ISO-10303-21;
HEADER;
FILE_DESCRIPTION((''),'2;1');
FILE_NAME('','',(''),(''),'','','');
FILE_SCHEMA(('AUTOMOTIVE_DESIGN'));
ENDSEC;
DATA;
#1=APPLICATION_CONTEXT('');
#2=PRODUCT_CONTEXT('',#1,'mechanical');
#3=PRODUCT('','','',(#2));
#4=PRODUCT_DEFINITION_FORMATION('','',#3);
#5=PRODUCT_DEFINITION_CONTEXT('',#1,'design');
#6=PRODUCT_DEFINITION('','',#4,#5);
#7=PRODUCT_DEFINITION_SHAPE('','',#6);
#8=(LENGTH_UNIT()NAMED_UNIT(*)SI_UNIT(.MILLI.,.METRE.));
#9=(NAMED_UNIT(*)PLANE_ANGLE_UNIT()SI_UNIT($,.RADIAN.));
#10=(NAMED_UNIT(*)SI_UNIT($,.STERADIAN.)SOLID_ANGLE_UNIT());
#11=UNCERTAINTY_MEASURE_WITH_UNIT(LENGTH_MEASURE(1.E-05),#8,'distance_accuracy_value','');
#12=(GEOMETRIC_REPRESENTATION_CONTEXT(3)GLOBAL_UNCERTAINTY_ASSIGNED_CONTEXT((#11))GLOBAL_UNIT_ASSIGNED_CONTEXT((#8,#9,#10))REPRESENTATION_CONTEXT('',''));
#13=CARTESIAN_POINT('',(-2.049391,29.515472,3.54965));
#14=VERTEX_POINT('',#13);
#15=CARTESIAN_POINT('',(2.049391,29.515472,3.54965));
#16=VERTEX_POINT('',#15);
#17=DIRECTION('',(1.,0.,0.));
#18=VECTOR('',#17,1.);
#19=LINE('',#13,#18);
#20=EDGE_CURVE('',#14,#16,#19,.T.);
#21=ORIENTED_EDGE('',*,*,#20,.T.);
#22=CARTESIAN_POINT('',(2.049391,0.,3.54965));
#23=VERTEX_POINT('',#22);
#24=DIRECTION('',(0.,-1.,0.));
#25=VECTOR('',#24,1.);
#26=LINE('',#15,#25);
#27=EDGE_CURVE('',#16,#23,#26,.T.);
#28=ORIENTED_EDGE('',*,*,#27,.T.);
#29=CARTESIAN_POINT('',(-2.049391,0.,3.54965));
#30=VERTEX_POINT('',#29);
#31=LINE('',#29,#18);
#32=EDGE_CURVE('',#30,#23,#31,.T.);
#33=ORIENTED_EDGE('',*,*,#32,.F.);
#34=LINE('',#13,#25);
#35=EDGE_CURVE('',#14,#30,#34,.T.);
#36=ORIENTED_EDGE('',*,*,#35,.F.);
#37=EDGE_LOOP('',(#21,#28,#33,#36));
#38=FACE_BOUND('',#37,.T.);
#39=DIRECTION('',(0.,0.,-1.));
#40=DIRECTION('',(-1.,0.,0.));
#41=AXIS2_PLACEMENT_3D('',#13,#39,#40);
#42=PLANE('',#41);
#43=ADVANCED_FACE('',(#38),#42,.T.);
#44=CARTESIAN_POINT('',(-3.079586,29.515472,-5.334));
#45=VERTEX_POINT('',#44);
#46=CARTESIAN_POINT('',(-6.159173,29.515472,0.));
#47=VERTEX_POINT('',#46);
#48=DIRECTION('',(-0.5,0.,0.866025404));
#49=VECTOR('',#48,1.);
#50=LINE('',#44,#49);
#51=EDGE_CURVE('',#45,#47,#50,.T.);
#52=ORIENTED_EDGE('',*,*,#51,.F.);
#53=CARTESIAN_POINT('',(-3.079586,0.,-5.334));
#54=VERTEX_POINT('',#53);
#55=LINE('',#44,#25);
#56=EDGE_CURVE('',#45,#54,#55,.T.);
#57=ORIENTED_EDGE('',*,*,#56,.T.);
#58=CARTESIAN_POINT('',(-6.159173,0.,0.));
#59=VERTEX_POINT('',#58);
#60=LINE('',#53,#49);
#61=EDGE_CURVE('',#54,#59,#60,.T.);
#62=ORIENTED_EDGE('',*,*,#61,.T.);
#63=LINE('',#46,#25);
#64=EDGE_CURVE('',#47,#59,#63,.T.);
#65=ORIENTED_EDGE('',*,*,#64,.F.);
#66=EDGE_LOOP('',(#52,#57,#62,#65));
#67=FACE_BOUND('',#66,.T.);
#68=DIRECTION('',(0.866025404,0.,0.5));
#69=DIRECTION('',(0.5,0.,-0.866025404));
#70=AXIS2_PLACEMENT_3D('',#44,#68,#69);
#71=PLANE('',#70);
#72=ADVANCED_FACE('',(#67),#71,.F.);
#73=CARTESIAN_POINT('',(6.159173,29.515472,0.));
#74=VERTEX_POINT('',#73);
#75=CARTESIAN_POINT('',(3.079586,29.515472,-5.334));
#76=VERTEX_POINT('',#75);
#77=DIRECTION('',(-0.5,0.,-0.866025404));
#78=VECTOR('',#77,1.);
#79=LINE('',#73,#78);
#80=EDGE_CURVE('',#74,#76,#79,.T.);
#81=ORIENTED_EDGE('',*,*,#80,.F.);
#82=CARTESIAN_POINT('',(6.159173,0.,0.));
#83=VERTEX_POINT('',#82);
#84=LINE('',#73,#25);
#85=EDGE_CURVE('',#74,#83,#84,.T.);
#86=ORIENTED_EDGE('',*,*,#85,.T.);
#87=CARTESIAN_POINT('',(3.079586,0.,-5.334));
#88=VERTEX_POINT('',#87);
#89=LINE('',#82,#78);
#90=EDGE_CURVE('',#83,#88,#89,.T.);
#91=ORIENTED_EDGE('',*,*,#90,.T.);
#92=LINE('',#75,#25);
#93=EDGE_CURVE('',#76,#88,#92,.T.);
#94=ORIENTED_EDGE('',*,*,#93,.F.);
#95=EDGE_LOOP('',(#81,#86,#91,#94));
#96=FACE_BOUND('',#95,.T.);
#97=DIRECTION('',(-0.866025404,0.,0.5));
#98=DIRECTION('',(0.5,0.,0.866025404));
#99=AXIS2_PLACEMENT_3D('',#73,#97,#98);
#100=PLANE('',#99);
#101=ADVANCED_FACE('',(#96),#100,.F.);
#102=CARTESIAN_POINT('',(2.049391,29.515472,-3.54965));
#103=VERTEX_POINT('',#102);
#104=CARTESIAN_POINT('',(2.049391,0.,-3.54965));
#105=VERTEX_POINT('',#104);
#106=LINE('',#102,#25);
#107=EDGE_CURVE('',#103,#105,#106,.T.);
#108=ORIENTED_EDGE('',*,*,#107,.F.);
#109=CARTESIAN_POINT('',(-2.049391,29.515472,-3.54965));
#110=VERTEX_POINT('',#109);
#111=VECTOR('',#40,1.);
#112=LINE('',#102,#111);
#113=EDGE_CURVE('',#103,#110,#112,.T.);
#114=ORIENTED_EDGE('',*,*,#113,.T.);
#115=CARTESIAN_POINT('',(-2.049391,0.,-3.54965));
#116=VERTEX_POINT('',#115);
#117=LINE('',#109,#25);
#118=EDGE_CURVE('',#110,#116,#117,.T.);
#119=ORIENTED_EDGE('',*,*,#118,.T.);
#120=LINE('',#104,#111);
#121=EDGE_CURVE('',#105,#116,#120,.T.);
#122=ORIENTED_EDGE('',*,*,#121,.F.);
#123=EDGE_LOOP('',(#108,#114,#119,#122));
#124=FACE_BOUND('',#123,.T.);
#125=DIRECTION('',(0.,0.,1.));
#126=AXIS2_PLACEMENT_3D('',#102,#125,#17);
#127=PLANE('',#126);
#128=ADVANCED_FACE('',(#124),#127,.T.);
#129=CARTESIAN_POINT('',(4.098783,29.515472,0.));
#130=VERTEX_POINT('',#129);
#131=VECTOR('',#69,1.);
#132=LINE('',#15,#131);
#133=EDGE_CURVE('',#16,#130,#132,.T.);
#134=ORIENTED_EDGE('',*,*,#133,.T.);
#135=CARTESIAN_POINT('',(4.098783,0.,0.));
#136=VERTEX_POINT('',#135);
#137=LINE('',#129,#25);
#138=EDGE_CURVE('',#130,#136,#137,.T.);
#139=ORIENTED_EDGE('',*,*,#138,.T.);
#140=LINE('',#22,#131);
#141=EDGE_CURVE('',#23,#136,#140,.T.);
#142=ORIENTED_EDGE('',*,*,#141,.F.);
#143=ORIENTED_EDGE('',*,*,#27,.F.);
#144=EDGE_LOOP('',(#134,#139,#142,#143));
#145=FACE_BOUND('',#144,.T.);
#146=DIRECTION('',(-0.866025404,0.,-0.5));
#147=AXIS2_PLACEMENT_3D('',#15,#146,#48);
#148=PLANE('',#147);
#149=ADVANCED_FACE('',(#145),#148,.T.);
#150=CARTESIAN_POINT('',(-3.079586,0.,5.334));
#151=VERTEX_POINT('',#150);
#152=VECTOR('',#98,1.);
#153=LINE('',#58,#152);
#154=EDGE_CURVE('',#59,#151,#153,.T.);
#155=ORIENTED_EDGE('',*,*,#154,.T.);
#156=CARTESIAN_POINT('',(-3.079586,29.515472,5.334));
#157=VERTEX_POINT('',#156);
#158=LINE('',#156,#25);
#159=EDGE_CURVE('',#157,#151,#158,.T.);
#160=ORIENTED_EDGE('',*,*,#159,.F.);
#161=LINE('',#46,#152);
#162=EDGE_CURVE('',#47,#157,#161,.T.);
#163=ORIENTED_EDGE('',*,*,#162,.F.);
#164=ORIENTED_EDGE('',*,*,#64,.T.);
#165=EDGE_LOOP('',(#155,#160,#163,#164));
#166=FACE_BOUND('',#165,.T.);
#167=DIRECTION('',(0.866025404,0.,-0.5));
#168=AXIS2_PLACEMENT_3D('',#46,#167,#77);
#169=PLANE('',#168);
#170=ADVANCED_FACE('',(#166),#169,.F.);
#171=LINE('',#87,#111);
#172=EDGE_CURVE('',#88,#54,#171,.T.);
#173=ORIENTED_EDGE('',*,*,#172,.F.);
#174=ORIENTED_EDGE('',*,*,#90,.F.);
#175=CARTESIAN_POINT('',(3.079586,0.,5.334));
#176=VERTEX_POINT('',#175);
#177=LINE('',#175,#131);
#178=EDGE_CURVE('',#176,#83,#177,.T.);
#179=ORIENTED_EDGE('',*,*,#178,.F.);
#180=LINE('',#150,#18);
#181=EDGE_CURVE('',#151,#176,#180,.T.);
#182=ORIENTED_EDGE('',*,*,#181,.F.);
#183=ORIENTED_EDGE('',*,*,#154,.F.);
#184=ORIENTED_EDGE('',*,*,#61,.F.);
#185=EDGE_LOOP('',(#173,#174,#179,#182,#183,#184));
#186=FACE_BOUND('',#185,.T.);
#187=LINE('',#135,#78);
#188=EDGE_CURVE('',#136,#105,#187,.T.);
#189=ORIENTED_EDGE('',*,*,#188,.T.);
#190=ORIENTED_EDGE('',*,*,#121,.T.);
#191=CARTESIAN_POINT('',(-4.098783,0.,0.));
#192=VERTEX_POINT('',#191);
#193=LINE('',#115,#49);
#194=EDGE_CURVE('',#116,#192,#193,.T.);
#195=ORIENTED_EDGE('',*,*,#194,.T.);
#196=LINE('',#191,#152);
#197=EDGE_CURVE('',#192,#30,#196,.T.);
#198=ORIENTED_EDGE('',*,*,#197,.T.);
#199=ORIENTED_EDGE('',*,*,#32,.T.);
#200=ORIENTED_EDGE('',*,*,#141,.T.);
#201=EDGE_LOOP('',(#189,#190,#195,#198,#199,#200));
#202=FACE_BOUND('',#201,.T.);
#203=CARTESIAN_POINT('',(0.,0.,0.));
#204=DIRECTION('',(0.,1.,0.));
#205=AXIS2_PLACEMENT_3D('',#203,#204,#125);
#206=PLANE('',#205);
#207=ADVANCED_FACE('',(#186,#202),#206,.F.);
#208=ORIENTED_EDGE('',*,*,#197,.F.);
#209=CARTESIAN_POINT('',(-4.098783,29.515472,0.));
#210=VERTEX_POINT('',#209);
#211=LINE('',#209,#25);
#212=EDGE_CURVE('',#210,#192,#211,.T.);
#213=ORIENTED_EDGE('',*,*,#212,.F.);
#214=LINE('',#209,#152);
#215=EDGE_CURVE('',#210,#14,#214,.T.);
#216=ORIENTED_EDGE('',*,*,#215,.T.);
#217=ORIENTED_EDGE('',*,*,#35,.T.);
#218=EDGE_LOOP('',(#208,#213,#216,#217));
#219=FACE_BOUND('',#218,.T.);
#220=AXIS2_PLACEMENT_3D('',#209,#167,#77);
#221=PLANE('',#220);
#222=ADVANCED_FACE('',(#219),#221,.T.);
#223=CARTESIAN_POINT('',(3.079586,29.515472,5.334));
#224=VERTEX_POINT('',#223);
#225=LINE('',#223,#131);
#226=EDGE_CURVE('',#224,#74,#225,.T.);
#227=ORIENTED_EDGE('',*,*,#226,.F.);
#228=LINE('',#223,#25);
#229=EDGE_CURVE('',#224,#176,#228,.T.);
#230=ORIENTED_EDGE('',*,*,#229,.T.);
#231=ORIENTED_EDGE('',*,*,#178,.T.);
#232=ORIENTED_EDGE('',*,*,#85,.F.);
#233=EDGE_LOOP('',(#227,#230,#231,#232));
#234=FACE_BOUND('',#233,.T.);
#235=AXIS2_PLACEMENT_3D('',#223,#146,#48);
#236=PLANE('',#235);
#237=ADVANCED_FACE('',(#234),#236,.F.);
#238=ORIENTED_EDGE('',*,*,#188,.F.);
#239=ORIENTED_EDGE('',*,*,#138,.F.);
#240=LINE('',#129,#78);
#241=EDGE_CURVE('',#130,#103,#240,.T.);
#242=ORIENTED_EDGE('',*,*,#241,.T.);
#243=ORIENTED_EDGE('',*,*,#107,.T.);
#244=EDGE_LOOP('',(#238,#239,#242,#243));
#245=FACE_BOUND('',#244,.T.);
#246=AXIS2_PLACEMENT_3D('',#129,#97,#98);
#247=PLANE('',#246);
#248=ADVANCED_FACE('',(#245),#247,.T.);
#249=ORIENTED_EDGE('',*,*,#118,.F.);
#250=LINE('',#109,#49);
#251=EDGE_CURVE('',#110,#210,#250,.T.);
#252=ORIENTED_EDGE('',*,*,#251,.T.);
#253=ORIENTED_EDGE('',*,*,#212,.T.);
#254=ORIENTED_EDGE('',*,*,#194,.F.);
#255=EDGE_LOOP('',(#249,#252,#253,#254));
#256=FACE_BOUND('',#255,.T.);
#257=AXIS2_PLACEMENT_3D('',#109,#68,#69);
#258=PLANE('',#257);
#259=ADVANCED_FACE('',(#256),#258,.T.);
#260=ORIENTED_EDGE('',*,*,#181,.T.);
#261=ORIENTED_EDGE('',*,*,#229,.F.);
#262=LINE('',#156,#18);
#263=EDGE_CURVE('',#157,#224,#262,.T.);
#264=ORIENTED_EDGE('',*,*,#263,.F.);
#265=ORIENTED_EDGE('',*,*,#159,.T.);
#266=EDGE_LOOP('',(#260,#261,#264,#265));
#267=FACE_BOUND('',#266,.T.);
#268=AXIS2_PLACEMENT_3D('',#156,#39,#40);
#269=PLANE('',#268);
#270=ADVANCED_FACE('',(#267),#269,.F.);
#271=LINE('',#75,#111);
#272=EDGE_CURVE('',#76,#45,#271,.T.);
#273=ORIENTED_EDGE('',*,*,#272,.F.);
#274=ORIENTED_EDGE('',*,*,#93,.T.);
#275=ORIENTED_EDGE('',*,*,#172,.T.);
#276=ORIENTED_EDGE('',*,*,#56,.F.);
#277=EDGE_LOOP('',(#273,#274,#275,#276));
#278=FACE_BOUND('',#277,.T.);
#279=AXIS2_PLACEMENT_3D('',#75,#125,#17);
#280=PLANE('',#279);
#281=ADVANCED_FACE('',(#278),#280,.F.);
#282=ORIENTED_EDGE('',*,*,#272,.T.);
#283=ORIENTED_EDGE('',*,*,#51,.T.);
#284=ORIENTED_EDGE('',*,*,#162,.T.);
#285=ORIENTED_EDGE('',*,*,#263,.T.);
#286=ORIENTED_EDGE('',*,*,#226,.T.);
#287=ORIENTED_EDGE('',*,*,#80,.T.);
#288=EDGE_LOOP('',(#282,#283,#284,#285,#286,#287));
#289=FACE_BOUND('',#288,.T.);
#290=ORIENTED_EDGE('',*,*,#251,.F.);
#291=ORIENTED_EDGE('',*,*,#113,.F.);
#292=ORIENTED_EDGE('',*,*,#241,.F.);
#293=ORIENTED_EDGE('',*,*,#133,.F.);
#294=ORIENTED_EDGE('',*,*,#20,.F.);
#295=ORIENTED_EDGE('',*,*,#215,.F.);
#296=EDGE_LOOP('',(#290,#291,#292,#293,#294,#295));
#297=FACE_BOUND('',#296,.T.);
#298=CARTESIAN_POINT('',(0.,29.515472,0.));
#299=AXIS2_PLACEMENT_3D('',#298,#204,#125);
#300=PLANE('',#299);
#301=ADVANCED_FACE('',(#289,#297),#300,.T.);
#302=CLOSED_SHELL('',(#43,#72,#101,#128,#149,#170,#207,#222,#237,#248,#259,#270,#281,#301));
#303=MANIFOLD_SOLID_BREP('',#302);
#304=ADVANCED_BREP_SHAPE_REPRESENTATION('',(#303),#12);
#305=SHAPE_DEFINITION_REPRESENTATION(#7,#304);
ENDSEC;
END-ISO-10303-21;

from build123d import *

# Parameters (mm, degrees)
BOSS_EXTRUDE1_DEPTH = 29.515472084


with BuildPart() as part:
    # Sketch1 → Boss-Extrude1 (new body)
    with BuildSketch(Plane(origin=(0, 0, 0), x_dir=(1, 0, 0), z_dir=(0, 1, 0))):
        Polygon((6.159172672, 0), (3.079586336, 5.334), (-3.079586336, 5.334), (-6.159172672, 0), (-3.079586336, -5.334), (3.079586336, -5.334), align=None)
        Polygon((4.098782766, 0), (2.049391383, 3.54965), (-2.049391383, 3.54965), (-4.098782766, 0), (-2.049391383, -3.54965), (2.049391383, -3.54965), align=None, mode=Mode.SUBTRACT)
    extrude(amount=BOSS_EXTRUDE1_DEPTH)


solid = part.part
